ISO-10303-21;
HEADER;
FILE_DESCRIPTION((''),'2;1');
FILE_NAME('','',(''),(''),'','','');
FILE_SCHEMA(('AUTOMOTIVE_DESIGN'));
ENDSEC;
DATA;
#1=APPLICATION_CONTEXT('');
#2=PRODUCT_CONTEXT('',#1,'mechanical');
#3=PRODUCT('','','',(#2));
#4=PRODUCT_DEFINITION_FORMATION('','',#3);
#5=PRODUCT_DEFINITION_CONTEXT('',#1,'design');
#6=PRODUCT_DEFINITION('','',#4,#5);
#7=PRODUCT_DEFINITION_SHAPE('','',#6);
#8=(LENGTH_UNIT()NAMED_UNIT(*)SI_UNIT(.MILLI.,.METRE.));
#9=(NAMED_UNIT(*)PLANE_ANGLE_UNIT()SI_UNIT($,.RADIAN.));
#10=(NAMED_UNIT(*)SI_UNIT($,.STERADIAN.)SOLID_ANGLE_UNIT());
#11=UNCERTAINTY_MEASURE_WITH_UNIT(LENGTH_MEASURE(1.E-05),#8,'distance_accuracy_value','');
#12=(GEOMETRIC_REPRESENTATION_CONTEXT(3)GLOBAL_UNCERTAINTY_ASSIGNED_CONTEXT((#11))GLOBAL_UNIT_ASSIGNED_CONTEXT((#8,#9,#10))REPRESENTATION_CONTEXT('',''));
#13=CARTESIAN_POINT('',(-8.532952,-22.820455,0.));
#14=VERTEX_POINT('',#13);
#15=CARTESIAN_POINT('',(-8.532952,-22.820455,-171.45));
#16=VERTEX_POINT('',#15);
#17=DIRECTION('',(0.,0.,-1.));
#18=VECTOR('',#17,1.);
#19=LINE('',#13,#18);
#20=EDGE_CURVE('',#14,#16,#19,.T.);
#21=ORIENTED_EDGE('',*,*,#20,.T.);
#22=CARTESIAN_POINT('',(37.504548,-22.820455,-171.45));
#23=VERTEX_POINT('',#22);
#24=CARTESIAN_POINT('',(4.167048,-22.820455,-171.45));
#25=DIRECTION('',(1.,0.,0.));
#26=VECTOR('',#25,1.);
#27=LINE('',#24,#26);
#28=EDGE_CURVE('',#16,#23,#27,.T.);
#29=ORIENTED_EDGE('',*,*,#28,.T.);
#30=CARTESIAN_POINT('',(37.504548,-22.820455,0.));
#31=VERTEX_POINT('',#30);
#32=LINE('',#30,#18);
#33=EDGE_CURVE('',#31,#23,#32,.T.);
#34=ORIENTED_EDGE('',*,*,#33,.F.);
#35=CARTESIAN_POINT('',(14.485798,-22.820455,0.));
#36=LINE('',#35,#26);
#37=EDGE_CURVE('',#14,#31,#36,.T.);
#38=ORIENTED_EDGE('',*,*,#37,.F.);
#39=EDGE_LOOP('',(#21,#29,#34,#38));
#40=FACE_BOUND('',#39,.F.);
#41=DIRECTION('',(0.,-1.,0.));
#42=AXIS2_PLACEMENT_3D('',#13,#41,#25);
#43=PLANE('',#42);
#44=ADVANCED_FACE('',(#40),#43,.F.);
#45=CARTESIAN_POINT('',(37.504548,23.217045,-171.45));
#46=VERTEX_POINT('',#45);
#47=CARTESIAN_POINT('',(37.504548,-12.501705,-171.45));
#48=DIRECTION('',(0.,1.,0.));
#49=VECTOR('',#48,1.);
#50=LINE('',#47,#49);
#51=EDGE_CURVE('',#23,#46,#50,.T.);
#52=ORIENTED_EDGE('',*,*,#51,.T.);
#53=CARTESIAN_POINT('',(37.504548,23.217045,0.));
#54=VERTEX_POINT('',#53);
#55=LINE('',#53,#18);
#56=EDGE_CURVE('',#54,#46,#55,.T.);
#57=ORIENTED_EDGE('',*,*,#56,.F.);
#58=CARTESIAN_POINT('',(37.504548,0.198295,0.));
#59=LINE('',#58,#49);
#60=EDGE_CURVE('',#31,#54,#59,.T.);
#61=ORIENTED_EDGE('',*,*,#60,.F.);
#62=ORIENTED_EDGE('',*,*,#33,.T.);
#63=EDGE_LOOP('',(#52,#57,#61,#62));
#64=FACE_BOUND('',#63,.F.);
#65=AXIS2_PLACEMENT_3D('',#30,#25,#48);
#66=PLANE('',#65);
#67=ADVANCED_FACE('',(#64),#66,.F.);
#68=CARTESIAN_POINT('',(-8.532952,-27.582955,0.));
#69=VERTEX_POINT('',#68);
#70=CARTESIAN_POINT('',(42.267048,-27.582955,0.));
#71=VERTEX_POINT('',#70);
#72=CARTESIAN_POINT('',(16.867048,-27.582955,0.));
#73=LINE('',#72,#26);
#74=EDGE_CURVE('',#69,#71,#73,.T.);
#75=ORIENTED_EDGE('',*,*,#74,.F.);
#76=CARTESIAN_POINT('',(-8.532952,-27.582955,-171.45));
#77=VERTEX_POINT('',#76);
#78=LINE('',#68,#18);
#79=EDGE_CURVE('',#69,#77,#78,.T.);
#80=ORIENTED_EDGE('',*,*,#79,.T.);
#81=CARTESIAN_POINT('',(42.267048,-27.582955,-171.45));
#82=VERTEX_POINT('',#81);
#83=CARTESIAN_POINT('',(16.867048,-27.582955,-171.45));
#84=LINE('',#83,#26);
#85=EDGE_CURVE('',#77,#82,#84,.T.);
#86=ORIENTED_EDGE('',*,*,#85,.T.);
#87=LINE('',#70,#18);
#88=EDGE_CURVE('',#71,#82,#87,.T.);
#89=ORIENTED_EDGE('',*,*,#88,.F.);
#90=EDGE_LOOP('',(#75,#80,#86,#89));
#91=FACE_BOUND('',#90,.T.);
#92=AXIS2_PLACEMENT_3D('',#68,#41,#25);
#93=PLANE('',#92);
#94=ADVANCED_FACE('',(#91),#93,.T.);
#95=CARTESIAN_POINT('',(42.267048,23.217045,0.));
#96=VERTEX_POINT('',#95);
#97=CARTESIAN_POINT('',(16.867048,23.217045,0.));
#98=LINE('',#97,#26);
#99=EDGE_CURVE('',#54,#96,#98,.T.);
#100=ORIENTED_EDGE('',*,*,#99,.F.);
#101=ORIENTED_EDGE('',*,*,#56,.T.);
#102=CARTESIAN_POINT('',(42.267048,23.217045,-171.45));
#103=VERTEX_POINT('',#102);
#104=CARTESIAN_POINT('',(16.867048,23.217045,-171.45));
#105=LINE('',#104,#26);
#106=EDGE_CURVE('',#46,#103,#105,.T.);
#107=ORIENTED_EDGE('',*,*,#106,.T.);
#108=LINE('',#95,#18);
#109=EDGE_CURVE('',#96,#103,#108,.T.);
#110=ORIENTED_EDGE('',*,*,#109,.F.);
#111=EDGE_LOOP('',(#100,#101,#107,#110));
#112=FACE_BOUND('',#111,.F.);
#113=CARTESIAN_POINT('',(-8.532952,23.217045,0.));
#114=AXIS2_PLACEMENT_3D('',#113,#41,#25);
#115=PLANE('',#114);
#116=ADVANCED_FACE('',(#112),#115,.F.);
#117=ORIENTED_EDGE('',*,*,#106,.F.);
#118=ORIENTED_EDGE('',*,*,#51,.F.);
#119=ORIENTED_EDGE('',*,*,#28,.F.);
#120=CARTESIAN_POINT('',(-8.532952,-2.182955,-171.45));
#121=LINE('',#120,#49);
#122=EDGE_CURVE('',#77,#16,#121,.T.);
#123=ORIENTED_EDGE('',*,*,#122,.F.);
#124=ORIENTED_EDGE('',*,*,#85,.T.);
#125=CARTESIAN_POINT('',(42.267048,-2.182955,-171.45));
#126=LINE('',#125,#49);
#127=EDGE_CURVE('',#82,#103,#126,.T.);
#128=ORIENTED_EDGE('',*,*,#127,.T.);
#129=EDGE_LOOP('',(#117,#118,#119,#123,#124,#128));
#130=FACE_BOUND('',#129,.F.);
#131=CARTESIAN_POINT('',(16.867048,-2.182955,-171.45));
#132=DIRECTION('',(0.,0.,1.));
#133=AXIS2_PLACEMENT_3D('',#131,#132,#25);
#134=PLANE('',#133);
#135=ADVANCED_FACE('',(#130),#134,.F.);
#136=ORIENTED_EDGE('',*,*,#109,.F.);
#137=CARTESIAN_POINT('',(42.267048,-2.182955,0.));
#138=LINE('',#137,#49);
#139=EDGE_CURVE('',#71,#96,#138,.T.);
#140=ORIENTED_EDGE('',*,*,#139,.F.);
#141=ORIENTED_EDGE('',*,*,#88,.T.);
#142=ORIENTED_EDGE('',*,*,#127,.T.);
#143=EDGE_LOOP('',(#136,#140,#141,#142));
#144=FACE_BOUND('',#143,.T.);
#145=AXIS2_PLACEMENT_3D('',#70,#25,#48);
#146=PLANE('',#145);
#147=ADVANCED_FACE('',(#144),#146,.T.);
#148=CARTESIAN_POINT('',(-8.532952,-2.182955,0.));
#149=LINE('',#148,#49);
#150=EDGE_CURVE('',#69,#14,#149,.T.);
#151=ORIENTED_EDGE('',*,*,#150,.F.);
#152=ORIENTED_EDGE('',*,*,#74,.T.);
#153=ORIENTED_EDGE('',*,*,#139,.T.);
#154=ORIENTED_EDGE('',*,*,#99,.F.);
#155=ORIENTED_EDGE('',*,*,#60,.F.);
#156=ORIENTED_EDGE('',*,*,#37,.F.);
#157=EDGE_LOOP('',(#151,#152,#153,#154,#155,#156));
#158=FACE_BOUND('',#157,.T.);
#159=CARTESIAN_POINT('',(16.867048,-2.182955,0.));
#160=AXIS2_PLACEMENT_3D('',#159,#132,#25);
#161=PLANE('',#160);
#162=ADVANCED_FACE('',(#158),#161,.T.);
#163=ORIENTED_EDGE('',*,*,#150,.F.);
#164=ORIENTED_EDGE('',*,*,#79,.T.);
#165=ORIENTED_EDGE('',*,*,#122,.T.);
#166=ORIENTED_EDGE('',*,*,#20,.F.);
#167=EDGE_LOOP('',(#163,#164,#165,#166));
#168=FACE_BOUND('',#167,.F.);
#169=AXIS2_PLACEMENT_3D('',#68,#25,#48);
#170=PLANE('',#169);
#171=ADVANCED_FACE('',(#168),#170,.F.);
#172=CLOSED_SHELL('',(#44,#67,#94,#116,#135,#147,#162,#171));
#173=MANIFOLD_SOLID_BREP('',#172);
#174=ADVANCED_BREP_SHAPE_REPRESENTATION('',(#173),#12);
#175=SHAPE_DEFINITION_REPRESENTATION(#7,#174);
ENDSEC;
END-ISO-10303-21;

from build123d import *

# Parameters (mm, degrees)
F0_W     = 50.8
F0_H     = 50.8
F1_DEPTH = 171.45
F2_W     = 46.0375
F2_H     = 46.0375
F3_DEPTH = 171.451


with BuildPart() as f1:
    # F0 (on Top) → F1 (new body)
    with BuildSketch(Plane.XY):
        with Locations((16.867048, -2.182955)):
            Rectangle(F0_W, F0_H)
    extrude(amount=-F1_DEPTH)

    # F2 (on face) → F3 (cut, through all)
    with BuildSketch(Plane.XY):
        with Locations((14.485798, 0.198295)):
            Rectangle(F2_W, F2_H)
    extrude(amount=-F3_DEPTH, mode=Mode.SUBTRACT)


solid = f1.part
